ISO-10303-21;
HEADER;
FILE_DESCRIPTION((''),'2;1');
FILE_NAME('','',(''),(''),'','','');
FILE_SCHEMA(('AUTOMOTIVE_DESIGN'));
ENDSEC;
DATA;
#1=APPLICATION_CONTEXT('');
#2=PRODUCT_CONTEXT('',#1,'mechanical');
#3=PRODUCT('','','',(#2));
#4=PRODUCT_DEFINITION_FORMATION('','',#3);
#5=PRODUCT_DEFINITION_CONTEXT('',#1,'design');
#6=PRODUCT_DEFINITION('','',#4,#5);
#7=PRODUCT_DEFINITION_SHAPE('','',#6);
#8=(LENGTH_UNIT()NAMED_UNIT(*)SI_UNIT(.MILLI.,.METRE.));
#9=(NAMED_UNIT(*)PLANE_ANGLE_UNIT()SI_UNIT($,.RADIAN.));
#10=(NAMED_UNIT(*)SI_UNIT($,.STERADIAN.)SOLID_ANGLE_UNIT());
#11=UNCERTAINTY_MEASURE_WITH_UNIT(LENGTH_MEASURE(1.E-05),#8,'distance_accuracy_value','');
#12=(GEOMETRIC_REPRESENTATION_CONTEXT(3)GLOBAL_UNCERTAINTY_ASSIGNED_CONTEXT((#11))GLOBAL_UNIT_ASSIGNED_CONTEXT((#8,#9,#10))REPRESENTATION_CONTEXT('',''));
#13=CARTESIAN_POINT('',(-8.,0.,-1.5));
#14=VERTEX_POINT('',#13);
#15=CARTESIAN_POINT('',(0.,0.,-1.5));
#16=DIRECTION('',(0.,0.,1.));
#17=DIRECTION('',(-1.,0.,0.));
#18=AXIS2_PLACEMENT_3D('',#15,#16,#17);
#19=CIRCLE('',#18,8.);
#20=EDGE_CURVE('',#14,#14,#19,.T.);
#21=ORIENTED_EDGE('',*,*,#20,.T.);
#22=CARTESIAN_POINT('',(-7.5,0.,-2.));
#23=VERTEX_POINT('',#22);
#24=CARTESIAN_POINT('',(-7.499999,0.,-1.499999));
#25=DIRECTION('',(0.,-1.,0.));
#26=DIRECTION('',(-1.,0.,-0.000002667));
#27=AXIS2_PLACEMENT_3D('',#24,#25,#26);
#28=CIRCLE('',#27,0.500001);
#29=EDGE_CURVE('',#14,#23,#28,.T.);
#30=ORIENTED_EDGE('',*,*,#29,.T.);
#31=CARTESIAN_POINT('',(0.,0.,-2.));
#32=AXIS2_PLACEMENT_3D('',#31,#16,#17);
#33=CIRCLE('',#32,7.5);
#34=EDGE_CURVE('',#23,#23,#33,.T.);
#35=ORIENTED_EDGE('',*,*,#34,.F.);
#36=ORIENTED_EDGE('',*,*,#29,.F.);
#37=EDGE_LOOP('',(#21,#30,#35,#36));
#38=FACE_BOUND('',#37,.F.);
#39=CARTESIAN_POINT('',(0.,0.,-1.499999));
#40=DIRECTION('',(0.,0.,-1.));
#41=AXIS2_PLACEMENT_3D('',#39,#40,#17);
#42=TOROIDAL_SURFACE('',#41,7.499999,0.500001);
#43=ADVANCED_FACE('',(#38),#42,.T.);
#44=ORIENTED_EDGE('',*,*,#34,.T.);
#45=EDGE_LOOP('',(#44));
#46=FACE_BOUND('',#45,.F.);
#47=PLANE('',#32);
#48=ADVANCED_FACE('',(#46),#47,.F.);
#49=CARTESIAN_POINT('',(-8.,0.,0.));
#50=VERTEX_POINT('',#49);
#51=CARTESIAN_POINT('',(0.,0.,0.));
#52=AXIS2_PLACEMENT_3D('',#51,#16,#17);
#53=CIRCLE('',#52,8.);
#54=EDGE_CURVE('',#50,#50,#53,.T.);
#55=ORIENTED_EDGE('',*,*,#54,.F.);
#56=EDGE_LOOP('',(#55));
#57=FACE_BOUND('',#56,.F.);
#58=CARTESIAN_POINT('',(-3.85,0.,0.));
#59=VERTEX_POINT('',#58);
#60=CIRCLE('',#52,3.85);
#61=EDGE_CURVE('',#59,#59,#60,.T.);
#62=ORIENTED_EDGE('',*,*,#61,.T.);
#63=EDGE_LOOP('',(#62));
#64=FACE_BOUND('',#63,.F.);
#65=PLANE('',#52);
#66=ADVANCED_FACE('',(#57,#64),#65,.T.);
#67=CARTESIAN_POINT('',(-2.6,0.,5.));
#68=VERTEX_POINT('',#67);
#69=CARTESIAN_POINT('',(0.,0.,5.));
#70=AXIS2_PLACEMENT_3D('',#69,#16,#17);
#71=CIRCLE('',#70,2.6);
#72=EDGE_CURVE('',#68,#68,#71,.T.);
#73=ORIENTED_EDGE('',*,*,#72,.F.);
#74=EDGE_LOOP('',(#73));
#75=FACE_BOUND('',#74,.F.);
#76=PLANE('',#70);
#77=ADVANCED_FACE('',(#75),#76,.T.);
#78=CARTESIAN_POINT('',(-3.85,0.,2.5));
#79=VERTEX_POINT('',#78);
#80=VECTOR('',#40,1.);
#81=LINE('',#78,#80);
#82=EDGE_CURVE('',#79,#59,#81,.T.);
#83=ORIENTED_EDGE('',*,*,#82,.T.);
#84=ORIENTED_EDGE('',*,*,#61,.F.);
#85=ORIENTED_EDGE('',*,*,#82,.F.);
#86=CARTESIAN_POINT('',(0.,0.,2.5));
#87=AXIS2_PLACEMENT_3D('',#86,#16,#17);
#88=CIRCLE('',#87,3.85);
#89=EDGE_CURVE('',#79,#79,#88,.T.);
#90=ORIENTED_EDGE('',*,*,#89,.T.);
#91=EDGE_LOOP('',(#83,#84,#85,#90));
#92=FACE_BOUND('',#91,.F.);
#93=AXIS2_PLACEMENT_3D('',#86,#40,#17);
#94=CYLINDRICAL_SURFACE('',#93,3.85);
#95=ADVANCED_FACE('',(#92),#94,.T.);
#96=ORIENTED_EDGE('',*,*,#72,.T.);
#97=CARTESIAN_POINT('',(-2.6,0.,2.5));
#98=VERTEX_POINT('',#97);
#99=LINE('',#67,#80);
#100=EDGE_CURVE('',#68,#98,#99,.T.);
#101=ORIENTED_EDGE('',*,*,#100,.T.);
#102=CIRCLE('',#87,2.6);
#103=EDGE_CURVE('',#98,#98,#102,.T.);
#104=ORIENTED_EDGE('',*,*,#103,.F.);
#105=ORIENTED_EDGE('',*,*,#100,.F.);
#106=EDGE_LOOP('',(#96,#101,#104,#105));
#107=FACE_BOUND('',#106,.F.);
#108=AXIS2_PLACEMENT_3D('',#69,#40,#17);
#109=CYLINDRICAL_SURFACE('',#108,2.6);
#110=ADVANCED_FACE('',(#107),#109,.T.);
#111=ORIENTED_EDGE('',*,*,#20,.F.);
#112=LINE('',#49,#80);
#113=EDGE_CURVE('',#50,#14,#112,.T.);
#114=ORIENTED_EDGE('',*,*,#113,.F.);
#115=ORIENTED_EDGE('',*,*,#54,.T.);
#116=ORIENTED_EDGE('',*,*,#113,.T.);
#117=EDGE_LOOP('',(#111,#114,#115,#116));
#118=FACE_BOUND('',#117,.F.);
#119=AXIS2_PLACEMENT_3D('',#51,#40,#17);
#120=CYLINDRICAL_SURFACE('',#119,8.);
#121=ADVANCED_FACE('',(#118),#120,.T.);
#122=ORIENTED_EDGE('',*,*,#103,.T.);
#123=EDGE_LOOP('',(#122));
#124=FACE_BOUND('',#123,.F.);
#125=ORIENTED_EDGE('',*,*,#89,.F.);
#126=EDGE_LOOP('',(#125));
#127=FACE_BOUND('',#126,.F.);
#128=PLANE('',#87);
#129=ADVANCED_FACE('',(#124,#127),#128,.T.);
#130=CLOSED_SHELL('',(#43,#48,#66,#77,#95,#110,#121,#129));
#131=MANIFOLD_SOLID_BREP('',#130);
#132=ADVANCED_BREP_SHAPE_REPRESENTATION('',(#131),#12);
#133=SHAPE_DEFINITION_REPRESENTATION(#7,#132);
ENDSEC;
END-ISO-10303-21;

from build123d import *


with BuildPart() as f1:
    # F0 (on Front) → F1 (revolve)
    with BuildSketch(Plane.XZ):
        with BuildLine():
            Line((0, -2), (0, 5))
            Line((0, 5), (-2.6, 5))
            Line((-2.6, 5), (-2.6, 2.5))
            Line((-2.6, 2.5), (-3.85, 2.5))
            Line((-3.85, 2.5), (-3.85, 0))
            Line((-3.85, 0), (-8, 0))
            Line((-8, 0), (-8, -1.5))
            ThreePointArc((-8, -1.5), (-7.853553, -1.853553), (-7.5, -2))
            Line((-7.5, -2), (0, -2))
        make_face()
    revolve(axis=Axis((0, 0, 1.5), (0, 0, 1)))


solid = f1.part
